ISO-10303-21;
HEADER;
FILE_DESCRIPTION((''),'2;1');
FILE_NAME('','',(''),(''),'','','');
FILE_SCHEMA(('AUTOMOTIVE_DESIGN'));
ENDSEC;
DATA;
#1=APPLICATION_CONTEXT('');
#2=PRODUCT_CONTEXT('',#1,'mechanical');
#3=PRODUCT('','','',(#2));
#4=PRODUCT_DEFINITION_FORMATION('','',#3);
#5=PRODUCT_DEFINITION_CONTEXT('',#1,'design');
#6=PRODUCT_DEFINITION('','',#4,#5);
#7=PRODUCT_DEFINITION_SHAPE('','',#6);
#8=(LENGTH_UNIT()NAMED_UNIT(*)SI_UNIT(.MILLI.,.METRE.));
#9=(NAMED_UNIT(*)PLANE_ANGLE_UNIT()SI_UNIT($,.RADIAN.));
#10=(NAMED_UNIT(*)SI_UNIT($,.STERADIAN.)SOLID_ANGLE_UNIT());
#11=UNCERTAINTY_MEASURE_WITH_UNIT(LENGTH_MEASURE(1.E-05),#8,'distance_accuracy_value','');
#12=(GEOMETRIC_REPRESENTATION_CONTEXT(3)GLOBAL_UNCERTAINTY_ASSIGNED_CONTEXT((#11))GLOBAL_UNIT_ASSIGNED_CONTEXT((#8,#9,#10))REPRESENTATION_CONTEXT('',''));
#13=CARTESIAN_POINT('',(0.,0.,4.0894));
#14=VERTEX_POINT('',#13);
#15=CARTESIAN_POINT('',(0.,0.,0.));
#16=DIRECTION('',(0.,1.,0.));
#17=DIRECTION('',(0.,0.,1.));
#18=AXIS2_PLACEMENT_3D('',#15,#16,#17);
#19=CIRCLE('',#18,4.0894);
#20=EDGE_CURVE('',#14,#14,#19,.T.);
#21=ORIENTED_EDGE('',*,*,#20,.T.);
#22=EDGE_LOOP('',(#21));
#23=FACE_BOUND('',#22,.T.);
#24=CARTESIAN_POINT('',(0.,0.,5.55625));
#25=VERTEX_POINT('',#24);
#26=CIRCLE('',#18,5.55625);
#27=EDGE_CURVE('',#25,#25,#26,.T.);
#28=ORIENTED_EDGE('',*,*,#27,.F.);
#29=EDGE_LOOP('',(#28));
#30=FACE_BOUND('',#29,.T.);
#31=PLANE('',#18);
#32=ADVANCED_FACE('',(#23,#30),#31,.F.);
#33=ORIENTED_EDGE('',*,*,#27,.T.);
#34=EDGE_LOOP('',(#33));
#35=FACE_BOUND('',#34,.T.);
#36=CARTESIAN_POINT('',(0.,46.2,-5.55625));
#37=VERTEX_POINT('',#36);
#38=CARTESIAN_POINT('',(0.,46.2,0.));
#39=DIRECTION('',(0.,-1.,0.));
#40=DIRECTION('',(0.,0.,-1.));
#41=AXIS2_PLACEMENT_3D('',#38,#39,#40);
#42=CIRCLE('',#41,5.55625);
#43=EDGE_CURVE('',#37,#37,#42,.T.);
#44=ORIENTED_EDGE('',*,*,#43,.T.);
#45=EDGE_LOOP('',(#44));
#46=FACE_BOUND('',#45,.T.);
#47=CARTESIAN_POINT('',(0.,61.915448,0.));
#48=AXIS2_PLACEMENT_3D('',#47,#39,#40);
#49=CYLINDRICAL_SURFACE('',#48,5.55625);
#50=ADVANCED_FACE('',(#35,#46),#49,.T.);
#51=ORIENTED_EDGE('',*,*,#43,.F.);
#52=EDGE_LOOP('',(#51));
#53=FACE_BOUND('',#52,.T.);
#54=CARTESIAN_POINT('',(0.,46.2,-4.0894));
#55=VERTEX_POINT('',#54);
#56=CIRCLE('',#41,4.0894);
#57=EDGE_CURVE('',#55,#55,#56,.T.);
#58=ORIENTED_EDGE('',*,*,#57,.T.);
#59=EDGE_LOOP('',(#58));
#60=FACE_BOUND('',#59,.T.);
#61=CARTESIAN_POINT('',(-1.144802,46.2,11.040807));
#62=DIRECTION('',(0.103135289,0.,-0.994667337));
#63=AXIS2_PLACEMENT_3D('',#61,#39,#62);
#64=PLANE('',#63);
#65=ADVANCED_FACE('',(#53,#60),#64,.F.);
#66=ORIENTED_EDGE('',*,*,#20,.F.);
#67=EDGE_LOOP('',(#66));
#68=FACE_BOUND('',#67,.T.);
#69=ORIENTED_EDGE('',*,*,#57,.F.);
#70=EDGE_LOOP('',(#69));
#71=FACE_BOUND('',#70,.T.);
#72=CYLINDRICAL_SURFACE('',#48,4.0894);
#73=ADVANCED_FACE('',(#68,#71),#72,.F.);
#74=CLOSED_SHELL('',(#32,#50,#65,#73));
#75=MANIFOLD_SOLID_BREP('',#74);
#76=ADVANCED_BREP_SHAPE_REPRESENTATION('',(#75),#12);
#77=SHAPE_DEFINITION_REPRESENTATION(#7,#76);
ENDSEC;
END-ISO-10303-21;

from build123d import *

# Parameters (mm, degrees)
SKETCH1_R           = 5.55625
SKETCH1_R_2         = 4.0894
BOSS_EXTRUDE1_DEPTH = 46.2


with BuildPart() as part:
    # Sketch1 → Boss-Extrude1 (new body)
    with BuildSketch(Plane(origin=(0, 0, 0), x_dir=(1, 0, 0), z_dir=(0, 1, 0))):
        with Locations(Location((0, 0, 0), (0, 0, 90))):
            Circle(SKETCH1_R)
        with Locations(Location((0, 0, 0), (0, 0, 90))):
            Circle(SKETCH1_R_2, mode=Mode.SUBTRACT)
    extrude(amount=BOSS_EXTRUDE1_DEPTH)


solid = part.part
